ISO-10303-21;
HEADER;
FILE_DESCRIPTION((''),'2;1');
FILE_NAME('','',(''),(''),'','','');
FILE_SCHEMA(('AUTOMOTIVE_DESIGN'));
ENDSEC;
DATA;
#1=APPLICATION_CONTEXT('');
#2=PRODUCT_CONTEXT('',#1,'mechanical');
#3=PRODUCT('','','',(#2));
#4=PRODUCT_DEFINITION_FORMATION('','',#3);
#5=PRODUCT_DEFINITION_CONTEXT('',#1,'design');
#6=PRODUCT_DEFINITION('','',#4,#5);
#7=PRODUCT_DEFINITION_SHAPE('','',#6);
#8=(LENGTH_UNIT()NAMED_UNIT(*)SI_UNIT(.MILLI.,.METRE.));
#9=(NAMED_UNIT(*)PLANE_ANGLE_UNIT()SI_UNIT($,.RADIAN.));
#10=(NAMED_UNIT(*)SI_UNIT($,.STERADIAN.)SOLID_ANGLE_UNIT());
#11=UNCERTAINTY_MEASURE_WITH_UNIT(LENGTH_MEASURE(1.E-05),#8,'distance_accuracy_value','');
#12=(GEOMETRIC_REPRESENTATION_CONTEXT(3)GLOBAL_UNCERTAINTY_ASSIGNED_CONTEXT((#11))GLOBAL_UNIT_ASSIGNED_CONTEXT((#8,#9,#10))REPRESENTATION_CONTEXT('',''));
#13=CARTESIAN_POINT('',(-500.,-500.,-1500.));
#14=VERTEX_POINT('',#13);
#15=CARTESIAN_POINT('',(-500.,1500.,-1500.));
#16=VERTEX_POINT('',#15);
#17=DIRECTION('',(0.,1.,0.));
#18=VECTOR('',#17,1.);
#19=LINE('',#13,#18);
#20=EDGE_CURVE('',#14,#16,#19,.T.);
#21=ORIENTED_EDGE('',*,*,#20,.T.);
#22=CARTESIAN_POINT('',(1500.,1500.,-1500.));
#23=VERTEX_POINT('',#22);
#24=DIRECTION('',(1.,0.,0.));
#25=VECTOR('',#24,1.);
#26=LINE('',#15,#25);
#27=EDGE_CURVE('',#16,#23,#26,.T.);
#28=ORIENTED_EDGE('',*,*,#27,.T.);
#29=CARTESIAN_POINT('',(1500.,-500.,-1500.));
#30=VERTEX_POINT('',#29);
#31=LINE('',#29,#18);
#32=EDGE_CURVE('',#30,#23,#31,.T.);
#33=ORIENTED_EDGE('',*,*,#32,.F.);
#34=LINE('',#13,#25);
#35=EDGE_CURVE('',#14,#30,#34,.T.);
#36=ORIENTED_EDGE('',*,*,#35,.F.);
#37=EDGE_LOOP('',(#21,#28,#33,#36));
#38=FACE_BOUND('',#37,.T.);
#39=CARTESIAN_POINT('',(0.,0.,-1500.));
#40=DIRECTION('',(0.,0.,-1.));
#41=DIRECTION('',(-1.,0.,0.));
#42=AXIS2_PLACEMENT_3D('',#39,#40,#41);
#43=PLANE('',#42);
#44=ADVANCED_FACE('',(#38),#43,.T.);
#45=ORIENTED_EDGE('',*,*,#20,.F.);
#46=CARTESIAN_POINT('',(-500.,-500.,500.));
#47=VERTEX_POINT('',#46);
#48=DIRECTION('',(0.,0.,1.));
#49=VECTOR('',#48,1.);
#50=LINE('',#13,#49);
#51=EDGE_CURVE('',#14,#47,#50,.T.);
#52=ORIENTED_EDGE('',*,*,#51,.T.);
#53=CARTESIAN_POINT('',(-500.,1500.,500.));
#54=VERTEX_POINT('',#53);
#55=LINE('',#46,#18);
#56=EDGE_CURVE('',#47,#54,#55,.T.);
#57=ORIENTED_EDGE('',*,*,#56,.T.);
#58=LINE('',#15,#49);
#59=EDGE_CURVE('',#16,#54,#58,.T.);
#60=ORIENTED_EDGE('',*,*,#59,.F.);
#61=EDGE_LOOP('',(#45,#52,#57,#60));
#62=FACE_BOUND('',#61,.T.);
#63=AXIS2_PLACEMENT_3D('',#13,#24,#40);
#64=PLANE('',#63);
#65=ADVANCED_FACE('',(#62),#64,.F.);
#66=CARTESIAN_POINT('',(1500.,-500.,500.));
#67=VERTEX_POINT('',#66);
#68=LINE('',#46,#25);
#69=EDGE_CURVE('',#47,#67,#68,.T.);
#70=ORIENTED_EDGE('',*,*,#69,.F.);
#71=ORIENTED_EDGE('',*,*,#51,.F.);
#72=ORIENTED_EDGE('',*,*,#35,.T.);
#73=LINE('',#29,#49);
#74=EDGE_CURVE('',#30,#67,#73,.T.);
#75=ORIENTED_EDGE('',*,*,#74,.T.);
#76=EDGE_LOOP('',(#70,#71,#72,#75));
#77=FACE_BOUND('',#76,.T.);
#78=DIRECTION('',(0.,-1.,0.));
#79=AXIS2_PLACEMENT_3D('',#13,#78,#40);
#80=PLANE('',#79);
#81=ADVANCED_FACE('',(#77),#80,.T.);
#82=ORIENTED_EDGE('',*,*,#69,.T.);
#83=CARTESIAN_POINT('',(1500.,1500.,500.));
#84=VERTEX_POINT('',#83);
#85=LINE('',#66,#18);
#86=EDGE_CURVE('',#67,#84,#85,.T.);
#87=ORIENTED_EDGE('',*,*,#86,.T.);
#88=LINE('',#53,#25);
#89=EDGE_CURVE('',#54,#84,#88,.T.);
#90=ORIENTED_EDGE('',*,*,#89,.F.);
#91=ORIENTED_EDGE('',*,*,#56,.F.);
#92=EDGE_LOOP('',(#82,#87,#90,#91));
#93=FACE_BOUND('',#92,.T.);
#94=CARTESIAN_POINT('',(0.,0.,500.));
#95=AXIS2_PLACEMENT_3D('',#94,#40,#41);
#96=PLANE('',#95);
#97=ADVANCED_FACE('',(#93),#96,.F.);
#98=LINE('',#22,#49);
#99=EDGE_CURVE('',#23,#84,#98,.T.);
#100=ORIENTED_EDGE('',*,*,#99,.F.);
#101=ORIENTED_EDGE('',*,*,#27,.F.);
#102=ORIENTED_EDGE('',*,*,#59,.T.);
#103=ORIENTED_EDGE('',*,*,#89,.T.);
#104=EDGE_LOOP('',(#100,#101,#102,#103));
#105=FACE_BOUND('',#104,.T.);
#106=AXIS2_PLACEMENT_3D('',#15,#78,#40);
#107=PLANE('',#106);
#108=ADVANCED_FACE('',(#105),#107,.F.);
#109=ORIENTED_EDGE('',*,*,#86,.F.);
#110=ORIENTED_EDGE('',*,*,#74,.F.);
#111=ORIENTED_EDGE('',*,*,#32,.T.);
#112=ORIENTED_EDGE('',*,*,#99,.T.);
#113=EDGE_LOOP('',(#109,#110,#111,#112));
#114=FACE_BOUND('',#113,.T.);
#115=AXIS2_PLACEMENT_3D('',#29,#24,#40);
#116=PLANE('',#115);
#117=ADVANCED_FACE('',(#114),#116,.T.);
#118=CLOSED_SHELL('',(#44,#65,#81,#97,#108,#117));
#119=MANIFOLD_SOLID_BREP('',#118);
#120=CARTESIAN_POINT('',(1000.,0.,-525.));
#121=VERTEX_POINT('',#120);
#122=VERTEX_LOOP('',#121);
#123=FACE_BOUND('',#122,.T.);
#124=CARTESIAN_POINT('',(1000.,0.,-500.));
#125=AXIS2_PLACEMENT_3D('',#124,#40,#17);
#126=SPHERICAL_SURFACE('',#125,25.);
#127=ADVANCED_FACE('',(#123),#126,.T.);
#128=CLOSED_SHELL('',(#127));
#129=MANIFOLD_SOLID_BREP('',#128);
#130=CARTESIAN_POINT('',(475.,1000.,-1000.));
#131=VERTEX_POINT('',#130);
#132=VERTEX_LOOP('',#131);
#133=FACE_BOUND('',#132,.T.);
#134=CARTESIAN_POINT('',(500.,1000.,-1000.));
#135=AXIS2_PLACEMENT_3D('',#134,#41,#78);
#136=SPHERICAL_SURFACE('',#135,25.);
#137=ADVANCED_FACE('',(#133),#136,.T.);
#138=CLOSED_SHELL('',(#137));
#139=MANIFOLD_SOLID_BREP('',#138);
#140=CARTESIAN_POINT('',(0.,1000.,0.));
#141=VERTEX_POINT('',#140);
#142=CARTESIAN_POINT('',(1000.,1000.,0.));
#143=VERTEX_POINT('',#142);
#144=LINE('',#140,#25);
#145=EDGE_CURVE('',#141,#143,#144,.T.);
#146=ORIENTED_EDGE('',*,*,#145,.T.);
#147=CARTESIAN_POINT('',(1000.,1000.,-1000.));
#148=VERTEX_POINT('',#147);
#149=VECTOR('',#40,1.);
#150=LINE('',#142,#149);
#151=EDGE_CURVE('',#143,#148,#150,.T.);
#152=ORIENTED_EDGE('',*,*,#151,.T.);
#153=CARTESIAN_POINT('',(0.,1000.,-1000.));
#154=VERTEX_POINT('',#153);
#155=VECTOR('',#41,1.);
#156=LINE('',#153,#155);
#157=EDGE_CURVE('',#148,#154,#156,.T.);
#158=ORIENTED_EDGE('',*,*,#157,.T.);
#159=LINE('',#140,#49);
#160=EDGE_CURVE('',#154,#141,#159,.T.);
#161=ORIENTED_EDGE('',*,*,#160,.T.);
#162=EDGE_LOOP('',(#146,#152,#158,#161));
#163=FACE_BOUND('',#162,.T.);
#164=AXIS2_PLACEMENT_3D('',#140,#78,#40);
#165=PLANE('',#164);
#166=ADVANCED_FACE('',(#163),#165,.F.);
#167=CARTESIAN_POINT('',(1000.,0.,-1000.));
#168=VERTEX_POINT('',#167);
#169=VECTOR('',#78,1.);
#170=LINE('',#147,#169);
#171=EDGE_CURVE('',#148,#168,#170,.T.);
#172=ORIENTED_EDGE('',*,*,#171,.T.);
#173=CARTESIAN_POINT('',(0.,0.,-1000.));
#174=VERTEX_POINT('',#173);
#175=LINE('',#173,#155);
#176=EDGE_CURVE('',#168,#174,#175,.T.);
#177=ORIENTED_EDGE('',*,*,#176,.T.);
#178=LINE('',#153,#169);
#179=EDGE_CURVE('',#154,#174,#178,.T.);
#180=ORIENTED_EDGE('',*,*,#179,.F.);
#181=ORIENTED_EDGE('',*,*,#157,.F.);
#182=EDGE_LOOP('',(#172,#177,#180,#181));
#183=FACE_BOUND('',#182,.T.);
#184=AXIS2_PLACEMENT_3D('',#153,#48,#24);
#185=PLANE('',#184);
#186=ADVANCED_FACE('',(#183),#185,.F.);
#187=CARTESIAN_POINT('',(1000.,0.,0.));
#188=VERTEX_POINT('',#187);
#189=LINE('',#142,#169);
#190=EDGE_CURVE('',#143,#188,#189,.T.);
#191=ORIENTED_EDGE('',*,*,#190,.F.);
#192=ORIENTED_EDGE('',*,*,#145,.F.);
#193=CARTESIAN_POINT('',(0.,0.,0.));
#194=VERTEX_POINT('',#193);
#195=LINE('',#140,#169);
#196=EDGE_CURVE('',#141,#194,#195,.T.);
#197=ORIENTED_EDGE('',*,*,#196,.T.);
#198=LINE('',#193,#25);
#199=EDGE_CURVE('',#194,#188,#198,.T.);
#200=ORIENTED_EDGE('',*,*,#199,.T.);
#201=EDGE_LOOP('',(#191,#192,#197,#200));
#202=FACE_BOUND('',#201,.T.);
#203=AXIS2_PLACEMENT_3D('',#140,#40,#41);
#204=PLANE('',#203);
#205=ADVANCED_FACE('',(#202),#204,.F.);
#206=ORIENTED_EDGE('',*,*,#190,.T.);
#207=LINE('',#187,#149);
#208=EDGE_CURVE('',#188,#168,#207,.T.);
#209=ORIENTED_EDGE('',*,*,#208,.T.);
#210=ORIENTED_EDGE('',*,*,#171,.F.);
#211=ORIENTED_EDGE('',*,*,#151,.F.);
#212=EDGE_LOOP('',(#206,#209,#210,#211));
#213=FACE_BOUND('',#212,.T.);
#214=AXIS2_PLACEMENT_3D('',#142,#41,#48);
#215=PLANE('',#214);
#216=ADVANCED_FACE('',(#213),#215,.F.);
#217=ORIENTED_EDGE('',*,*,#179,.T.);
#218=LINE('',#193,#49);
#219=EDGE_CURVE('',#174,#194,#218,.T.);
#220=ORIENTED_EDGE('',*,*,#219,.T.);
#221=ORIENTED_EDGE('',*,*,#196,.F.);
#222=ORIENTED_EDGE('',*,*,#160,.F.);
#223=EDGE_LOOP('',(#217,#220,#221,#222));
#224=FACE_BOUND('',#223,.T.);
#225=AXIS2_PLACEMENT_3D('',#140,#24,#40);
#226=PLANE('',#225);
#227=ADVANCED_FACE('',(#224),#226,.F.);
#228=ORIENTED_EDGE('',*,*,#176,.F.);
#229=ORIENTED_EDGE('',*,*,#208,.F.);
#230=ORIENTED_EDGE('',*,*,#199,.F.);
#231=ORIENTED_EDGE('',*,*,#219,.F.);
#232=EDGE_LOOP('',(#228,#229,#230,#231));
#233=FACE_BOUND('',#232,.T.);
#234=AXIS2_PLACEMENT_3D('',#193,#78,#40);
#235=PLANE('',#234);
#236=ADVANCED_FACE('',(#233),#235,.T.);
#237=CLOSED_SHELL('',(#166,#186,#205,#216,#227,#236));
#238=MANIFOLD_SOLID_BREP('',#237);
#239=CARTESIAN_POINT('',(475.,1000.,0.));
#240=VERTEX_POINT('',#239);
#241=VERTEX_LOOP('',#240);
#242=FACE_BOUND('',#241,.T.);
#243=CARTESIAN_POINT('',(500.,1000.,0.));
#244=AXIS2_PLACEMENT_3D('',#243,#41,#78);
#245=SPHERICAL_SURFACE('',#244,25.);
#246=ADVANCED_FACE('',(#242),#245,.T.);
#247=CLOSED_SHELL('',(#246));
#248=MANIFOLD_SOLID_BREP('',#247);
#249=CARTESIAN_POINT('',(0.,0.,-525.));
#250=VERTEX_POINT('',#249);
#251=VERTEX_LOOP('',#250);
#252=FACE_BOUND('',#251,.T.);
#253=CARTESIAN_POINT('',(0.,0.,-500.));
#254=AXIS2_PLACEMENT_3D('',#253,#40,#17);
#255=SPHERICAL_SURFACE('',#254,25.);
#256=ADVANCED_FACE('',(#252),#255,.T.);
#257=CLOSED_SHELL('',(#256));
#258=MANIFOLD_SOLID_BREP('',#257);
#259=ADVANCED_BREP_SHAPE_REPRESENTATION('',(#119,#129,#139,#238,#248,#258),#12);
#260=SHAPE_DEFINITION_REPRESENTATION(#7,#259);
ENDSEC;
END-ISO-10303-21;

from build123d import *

# Parameters (mm, degrees)
SKETCH4_W           = 1000
SKETCH4_H           = 1000
BOSS_EXTRUDE2_DEPTH = 1000
LPATTERN1_COUNT     = 2
LPATTERN1_PITCH     = 1000
LPATTERN2_COUNT     = 2
LPATTERN2_PITCH     = 1000
SKETCH8_W           = 2000
SKETCH8_H           = 2000
BOSS_EXTRUDE3_DEPTH = 2000


with BuildPart() as part:
    # Sketch4 → Boss-Extrude2 (new body)
    with BuildSketch(Plane(origin=(0, 0, 0), x_dir=(1, 0, 0), z_dir=(0, 1, 0))):
        with Locations((500, 500)):
            Rectangle(SKETCH4_W, SKETCH4_H)
    extrude(amount=BOSS_EXTRUDE2_DEPTH)


with BuildPart() as body_2:
    # Sketch5 → Revolve1 (revolve)
    with BuildSketch(Plane.XY):
        with BuildLine():
            Line((475, 1000), (525, 1000))
            ThreePointArc((525, 1000), (500, 975), (475, 1000))
        make_face()
    revolve(axis=Axis((0, 1000, 0), (1, 0, 0)))


with BuildPart() as lpattern1_1:
    # LPattern1: pattern copy
    add(body_2.part.moved(Location(Vector(0, 0, -1) * (1 * LPATTERN1_PITCH))))


with BuildPart() as body_4:
    # Sketch6 → Revolve2 (revolve)
    with BuildSketch(Plane.ZY):
        with BuildLine():
            Line((-525, 0), (-475, 0))
            ThreePointArc((-475, 0), (-500, -25), (-525, 0))
        make_face()
    revolve(axis=Axis((0, 0, 0), (0, 0, 1)))


with BuildPart() as lpattern2_1:
    # LPattern2: pattern copy
    add(body_4.part.moved(Location(Vector(1, 0, 0) * (1 * LPATTERN2_PITCH))))


with BuildPart() as body_6:
    # Sketch8 → Boss-Extrude3 (new body)
    with BuildSketch(Plane.XY.offset(500)):
        with Locations((500, 500)):
            Rectangle(SKETCH8_W, SKETCH8_H)
    extrude(amount=-BOSS_EXTRUDE3_DEPTH)


solid = Compound([part.part, body_2.part, lpattern1_1.part, body_4.part, lpattern2_1.part, body_6.part])
